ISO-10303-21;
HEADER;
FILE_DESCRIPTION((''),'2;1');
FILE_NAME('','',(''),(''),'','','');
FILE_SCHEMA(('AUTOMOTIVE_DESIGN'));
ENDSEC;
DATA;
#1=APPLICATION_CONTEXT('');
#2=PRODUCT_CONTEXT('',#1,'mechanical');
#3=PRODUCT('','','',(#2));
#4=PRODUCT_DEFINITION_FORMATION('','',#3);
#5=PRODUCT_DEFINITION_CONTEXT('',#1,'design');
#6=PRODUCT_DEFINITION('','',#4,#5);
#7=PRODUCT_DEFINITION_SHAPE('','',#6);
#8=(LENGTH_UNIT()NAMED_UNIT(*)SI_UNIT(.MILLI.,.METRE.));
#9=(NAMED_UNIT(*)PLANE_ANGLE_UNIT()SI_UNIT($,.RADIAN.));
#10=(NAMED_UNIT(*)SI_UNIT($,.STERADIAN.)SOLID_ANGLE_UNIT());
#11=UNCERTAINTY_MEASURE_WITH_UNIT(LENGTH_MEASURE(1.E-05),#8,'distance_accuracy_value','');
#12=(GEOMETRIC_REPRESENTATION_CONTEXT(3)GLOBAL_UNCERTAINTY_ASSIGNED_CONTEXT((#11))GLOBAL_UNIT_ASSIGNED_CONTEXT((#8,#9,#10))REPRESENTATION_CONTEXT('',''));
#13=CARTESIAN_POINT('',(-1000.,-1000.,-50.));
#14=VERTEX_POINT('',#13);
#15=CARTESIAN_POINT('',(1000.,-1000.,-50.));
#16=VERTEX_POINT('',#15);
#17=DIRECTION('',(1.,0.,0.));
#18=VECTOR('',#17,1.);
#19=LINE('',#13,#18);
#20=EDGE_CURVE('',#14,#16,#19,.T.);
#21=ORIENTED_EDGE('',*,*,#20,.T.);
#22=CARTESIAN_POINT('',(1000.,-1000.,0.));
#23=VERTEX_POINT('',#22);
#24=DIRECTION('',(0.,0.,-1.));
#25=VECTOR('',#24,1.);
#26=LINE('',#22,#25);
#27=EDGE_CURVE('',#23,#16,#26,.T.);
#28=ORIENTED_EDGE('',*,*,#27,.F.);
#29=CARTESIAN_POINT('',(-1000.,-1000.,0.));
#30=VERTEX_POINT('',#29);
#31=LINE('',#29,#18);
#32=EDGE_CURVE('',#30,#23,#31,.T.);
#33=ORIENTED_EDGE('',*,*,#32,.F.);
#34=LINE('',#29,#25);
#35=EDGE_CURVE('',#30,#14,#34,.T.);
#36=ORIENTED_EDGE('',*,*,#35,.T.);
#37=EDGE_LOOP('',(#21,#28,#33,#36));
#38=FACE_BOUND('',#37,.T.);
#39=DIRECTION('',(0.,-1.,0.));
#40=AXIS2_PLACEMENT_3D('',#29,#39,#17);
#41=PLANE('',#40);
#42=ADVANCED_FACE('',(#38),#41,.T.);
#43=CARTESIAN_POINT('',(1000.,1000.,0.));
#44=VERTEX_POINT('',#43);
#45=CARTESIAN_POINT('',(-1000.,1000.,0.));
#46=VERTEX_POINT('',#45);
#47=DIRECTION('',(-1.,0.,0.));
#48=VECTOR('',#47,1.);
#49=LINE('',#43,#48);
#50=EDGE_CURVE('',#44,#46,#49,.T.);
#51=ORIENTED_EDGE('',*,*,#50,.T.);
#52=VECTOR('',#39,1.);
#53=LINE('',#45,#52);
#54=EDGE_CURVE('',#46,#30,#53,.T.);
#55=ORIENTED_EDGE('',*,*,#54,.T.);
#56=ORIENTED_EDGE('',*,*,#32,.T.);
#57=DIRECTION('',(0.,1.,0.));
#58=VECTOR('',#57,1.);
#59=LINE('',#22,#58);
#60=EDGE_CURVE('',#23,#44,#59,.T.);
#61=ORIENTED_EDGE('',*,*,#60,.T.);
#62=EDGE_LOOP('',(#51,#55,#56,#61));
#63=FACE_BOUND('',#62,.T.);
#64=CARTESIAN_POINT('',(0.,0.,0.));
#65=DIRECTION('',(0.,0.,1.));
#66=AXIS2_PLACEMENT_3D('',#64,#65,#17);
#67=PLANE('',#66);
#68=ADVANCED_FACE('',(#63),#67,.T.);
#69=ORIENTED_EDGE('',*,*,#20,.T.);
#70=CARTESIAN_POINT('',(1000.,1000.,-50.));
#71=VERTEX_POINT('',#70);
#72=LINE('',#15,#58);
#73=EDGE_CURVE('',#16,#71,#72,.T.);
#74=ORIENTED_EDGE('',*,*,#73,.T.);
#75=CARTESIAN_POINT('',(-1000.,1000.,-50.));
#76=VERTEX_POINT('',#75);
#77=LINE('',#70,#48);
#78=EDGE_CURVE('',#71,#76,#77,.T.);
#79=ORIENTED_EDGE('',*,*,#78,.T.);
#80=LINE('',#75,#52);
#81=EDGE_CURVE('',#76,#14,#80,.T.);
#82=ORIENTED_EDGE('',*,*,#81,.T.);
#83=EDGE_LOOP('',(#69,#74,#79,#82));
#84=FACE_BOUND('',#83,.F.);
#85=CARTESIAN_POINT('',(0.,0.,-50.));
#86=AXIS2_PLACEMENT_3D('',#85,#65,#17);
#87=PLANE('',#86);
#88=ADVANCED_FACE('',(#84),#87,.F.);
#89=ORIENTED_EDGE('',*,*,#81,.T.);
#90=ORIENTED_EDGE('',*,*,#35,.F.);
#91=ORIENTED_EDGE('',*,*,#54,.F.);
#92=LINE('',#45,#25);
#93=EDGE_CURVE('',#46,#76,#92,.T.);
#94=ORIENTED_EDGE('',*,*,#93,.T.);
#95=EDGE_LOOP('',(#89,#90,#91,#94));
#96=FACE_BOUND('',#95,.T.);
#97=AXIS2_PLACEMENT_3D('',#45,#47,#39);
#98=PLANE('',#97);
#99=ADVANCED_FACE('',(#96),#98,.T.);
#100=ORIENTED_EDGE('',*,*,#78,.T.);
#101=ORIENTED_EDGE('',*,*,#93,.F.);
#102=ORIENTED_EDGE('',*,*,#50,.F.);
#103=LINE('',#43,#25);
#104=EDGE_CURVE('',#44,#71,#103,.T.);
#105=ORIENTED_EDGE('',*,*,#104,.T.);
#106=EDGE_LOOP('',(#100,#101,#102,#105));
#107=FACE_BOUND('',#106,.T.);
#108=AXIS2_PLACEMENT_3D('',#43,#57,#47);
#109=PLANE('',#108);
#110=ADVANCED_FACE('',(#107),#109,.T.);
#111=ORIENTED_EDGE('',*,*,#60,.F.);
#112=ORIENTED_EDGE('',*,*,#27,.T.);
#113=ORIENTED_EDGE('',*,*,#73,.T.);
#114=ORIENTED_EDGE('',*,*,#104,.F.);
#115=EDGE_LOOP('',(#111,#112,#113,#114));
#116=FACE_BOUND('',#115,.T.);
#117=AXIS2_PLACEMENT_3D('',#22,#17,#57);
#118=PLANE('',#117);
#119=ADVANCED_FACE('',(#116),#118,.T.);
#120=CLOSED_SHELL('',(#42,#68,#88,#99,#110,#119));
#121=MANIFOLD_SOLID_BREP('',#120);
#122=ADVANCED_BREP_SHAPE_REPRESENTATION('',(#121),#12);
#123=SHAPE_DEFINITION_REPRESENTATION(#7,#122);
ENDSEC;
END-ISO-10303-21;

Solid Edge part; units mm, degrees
sketch "Sketch1" plane through (0, 0, 0) normal (0, 0, 1) x (1, 0, 0)
  line L0 (1000, 1000) -> (-1000, 1000)
  line L1 (-1000, 1000) -> (-1000, -1000)
  line L2 (-1000, -1000) -> (1000, -1000)
  line L3 (1000, -1000) -> (1000, 1000)
extrude "Extrusionsausprägung_20" add sketch "Sketch1" against normal blind 50
